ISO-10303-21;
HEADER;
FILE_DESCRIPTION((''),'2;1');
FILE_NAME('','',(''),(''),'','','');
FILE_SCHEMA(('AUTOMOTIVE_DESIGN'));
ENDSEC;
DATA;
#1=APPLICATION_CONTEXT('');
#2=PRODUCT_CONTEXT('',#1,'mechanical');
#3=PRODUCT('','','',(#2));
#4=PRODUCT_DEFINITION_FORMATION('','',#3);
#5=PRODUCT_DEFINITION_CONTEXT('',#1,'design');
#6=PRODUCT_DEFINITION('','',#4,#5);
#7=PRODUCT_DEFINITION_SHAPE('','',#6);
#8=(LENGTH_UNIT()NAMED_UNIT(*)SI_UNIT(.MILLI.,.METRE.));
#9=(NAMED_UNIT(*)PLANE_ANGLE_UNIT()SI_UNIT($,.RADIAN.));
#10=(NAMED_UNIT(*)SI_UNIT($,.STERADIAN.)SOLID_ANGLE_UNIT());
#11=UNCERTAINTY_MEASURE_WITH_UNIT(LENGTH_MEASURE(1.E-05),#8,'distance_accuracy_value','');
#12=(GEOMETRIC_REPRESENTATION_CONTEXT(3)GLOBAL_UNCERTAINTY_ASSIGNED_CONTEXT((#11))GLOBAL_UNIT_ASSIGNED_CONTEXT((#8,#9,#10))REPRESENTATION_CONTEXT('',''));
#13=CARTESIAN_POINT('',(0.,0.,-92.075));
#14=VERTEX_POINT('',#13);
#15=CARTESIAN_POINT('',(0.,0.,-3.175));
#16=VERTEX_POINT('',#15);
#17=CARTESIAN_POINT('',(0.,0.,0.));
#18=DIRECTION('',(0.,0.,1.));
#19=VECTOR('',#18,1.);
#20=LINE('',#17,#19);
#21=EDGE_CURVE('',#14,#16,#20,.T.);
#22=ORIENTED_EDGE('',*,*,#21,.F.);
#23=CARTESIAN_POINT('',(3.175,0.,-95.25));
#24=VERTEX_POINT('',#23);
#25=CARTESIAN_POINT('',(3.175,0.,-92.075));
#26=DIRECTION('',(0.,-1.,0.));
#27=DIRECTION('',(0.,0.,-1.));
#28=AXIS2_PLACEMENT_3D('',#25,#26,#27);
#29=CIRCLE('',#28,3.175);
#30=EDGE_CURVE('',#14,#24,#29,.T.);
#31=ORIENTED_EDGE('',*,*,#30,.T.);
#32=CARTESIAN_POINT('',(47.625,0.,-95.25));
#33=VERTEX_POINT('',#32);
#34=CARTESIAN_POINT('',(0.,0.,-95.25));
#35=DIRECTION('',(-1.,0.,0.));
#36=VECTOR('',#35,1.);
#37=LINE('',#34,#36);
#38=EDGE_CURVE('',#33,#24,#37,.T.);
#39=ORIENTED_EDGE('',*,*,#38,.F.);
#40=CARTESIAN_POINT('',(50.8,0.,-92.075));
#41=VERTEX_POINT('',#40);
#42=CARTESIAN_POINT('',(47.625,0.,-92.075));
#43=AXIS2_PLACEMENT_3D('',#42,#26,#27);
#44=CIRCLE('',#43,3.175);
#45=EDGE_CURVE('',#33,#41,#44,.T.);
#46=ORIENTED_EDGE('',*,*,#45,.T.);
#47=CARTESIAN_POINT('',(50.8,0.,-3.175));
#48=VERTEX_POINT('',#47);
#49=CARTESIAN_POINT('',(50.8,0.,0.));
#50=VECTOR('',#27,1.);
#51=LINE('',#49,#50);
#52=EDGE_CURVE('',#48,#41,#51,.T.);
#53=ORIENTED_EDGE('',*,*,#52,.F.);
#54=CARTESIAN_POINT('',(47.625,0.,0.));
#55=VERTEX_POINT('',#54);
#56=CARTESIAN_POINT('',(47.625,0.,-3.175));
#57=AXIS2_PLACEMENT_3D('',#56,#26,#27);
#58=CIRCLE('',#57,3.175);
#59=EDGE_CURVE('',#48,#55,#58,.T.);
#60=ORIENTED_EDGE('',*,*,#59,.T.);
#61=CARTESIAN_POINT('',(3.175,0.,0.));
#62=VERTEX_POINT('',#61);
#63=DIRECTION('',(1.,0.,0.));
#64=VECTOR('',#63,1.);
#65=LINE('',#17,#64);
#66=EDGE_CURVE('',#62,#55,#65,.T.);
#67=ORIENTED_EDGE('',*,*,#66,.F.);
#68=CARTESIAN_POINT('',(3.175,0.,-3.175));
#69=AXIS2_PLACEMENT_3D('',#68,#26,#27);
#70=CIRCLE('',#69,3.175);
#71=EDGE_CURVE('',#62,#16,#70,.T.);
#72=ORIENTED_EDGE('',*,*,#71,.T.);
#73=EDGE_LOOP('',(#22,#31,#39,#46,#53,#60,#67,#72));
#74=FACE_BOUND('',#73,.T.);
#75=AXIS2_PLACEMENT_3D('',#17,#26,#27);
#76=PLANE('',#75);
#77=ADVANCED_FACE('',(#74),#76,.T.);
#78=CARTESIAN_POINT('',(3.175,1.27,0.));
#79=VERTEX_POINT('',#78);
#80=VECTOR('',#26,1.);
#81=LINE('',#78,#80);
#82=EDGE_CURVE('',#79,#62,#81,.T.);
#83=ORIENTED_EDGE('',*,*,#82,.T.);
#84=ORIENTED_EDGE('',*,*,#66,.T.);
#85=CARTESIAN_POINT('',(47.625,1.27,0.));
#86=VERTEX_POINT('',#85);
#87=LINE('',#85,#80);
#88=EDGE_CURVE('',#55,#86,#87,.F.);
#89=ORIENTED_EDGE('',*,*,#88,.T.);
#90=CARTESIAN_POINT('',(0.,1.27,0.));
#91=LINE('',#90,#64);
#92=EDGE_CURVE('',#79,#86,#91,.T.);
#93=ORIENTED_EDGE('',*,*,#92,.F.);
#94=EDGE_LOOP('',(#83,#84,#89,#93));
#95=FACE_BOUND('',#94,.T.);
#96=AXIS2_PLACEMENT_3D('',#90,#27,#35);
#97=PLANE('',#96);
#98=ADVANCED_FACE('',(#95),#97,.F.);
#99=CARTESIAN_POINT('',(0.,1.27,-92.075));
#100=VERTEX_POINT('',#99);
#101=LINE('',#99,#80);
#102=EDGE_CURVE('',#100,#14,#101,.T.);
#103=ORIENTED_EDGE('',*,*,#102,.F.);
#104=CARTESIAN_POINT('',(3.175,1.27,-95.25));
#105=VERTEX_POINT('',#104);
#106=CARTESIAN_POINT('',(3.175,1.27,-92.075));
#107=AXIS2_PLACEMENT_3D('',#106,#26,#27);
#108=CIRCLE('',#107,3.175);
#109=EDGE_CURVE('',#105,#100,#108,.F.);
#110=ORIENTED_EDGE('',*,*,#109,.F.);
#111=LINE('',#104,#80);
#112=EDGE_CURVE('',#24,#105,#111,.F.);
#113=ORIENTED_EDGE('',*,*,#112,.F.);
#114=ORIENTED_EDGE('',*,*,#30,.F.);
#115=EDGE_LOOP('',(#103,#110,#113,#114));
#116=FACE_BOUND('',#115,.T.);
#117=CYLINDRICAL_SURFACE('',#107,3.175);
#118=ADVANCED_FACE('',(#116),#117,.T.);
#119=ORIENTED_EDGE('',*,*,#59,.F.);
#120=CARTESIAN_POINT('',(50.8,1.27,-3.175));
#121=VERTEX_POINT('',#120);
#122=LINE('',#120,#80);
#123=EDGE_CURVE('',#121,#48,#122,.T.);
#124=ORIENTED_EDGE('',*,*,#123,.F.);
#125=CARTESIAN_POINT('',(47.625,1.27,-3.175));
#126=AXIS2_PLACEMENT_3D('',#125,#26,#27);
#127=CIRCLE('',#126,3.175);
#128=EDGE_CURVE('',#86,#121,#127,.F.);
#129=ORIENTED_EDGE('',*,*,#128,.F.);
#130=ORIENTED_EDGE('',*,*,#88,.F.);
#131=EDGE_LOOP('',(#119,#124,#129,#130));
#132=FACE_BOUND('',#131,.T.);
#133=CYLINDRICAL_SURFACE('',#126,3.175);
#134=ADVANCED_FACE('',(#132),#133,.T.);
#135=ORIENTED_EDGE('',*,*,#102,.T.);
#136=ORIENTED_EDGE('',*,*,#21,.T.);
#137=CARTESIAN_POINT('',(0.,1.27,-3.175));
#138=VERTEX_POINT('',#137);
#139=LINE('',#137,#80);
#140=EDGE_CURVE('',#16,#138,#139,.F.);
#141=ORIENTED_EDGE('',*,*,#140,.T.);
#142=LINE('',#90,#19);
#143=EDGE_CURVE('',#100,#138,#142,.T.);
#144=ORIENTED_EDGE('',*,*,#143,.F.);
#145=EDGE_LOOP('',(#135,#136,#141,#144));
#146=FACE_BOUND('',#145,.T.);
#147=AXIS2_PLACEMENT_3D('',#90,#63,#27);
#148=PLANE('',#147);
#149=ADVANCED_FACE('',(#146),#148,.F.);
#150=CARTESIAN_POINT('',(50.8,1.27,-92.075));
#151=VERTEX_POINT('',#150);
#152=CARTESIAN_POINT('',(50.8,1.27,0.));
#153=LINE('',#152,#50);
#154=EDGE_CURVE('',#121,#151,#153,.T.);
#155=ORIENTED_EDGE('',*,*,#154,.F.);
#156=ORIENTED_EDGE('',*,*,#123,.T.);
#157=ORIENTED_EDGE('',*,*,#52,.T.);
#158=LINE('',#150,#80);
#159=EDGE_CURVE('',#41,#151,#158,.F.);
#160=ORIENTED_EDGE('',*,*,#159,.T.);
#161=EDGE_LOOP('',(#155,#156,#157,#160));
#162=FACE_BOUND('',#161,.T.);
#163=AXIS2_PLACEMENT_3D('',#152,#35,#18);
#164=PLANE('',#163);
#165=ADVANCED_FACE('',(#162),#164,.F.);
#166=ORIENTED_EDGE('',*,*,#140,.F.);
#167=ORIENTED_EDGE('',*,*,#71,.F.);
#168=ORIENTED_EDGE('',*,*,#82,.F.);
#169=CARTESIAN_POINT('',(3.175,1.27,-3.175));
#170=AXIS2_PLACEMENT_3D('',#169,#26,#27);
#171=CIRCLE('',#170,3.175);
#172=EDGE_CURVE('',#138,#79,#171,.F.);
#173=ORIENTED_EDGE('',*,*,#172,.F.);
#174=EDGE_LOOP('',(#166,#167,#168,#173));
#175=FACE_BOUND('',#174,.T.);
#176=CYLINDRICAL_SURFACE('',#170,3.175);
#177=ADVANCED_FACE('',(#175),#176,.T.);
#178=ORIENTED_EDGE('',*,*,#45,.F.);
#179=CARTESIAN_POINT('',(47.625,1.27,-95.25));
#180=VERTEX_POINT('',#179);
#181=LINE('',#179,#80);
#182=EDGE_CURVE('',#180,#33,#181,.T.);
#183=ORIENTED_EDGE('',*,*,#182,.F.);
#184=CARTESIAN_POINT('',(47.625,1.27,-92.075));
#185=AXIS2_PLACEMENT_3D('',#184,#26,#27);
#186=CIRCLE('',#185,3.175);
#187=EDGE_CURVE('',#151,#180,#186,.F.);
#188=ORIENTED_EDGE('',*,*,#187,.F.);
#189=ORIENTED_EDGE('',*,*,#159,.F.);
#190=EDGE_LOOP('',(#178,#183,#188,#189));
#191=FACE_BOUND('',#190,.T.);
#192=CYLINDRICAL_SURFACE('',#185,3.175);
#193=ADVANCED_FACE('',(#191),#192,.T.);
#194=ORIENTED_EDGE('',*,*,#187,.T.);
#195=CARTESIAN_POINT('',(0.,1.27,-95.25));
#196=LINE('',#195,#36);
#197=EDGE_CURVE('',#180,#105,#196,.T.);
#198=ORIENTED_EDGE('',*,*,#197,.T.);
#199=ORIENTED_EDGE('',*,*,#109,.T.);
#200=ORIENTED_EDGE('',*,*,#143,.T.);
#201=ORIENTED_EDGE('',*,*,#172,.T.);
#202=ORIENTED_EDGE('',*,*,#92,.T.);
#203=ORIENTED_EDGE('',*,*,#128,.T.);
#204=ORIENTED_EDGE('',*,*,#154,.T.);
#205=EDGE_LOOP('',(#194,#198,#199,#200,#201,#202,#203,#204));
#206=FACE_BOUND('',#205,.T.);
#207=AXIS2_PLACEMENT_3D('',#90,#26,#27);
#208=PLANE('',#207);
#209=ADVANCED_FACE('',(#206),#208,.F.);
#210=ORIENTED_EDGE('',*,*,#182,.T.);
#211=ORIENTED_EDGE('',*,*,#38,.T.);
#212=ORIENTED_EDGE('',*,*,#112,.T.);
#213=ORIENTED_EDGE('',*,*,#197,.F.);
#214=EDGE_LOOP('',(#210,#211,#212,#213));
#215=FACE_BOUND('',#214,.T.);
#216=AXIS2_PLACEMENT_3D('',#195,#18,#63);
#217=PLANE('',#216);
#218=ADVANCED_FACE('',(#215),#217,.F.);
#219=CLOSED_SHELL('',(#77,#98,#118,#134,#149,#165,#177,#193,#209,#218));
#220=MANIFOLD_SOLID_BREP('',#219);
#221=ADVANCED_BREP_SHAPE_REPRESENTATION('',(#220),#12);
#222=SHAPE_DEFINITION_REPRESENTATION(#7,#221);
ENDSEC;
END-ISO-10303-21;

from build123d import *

# Parameters (mm, degrees)
SKETCH1_W           = 50.8
SKETCH1_H           = 95.25
BOSS_EXTRUDE1_DEPTH = 1.27
FILLET1_R           = 3.175


with BuildPart() as part:
    # Sketch1 → Boss-Extrude1 (new body)
    with BuildSketch(Plane(origin=(0, 0, 0), x_dir=(1, 0, 0), z_dir=(0, 1, 0))):
        with Locations((25.4, 47.625)):
            Rectangle(SKETCH1_W, SKETCH1_H)
    extrude(amount=BOSS_EXTRUDE1_DEPTH)

    # Fillet1
    fillet1_edges = [part.edges().sort_by_distance(p)[0] for p in [
        (0, 0.635, -95.25),
        (50.8, 0.635, -95.25),
        (50.8, 0.635, 0),
        (0, 0.635, 0),
    ]]
    fillet(fillet1_edges, radius=FILLET1_R)


solid = part.part
